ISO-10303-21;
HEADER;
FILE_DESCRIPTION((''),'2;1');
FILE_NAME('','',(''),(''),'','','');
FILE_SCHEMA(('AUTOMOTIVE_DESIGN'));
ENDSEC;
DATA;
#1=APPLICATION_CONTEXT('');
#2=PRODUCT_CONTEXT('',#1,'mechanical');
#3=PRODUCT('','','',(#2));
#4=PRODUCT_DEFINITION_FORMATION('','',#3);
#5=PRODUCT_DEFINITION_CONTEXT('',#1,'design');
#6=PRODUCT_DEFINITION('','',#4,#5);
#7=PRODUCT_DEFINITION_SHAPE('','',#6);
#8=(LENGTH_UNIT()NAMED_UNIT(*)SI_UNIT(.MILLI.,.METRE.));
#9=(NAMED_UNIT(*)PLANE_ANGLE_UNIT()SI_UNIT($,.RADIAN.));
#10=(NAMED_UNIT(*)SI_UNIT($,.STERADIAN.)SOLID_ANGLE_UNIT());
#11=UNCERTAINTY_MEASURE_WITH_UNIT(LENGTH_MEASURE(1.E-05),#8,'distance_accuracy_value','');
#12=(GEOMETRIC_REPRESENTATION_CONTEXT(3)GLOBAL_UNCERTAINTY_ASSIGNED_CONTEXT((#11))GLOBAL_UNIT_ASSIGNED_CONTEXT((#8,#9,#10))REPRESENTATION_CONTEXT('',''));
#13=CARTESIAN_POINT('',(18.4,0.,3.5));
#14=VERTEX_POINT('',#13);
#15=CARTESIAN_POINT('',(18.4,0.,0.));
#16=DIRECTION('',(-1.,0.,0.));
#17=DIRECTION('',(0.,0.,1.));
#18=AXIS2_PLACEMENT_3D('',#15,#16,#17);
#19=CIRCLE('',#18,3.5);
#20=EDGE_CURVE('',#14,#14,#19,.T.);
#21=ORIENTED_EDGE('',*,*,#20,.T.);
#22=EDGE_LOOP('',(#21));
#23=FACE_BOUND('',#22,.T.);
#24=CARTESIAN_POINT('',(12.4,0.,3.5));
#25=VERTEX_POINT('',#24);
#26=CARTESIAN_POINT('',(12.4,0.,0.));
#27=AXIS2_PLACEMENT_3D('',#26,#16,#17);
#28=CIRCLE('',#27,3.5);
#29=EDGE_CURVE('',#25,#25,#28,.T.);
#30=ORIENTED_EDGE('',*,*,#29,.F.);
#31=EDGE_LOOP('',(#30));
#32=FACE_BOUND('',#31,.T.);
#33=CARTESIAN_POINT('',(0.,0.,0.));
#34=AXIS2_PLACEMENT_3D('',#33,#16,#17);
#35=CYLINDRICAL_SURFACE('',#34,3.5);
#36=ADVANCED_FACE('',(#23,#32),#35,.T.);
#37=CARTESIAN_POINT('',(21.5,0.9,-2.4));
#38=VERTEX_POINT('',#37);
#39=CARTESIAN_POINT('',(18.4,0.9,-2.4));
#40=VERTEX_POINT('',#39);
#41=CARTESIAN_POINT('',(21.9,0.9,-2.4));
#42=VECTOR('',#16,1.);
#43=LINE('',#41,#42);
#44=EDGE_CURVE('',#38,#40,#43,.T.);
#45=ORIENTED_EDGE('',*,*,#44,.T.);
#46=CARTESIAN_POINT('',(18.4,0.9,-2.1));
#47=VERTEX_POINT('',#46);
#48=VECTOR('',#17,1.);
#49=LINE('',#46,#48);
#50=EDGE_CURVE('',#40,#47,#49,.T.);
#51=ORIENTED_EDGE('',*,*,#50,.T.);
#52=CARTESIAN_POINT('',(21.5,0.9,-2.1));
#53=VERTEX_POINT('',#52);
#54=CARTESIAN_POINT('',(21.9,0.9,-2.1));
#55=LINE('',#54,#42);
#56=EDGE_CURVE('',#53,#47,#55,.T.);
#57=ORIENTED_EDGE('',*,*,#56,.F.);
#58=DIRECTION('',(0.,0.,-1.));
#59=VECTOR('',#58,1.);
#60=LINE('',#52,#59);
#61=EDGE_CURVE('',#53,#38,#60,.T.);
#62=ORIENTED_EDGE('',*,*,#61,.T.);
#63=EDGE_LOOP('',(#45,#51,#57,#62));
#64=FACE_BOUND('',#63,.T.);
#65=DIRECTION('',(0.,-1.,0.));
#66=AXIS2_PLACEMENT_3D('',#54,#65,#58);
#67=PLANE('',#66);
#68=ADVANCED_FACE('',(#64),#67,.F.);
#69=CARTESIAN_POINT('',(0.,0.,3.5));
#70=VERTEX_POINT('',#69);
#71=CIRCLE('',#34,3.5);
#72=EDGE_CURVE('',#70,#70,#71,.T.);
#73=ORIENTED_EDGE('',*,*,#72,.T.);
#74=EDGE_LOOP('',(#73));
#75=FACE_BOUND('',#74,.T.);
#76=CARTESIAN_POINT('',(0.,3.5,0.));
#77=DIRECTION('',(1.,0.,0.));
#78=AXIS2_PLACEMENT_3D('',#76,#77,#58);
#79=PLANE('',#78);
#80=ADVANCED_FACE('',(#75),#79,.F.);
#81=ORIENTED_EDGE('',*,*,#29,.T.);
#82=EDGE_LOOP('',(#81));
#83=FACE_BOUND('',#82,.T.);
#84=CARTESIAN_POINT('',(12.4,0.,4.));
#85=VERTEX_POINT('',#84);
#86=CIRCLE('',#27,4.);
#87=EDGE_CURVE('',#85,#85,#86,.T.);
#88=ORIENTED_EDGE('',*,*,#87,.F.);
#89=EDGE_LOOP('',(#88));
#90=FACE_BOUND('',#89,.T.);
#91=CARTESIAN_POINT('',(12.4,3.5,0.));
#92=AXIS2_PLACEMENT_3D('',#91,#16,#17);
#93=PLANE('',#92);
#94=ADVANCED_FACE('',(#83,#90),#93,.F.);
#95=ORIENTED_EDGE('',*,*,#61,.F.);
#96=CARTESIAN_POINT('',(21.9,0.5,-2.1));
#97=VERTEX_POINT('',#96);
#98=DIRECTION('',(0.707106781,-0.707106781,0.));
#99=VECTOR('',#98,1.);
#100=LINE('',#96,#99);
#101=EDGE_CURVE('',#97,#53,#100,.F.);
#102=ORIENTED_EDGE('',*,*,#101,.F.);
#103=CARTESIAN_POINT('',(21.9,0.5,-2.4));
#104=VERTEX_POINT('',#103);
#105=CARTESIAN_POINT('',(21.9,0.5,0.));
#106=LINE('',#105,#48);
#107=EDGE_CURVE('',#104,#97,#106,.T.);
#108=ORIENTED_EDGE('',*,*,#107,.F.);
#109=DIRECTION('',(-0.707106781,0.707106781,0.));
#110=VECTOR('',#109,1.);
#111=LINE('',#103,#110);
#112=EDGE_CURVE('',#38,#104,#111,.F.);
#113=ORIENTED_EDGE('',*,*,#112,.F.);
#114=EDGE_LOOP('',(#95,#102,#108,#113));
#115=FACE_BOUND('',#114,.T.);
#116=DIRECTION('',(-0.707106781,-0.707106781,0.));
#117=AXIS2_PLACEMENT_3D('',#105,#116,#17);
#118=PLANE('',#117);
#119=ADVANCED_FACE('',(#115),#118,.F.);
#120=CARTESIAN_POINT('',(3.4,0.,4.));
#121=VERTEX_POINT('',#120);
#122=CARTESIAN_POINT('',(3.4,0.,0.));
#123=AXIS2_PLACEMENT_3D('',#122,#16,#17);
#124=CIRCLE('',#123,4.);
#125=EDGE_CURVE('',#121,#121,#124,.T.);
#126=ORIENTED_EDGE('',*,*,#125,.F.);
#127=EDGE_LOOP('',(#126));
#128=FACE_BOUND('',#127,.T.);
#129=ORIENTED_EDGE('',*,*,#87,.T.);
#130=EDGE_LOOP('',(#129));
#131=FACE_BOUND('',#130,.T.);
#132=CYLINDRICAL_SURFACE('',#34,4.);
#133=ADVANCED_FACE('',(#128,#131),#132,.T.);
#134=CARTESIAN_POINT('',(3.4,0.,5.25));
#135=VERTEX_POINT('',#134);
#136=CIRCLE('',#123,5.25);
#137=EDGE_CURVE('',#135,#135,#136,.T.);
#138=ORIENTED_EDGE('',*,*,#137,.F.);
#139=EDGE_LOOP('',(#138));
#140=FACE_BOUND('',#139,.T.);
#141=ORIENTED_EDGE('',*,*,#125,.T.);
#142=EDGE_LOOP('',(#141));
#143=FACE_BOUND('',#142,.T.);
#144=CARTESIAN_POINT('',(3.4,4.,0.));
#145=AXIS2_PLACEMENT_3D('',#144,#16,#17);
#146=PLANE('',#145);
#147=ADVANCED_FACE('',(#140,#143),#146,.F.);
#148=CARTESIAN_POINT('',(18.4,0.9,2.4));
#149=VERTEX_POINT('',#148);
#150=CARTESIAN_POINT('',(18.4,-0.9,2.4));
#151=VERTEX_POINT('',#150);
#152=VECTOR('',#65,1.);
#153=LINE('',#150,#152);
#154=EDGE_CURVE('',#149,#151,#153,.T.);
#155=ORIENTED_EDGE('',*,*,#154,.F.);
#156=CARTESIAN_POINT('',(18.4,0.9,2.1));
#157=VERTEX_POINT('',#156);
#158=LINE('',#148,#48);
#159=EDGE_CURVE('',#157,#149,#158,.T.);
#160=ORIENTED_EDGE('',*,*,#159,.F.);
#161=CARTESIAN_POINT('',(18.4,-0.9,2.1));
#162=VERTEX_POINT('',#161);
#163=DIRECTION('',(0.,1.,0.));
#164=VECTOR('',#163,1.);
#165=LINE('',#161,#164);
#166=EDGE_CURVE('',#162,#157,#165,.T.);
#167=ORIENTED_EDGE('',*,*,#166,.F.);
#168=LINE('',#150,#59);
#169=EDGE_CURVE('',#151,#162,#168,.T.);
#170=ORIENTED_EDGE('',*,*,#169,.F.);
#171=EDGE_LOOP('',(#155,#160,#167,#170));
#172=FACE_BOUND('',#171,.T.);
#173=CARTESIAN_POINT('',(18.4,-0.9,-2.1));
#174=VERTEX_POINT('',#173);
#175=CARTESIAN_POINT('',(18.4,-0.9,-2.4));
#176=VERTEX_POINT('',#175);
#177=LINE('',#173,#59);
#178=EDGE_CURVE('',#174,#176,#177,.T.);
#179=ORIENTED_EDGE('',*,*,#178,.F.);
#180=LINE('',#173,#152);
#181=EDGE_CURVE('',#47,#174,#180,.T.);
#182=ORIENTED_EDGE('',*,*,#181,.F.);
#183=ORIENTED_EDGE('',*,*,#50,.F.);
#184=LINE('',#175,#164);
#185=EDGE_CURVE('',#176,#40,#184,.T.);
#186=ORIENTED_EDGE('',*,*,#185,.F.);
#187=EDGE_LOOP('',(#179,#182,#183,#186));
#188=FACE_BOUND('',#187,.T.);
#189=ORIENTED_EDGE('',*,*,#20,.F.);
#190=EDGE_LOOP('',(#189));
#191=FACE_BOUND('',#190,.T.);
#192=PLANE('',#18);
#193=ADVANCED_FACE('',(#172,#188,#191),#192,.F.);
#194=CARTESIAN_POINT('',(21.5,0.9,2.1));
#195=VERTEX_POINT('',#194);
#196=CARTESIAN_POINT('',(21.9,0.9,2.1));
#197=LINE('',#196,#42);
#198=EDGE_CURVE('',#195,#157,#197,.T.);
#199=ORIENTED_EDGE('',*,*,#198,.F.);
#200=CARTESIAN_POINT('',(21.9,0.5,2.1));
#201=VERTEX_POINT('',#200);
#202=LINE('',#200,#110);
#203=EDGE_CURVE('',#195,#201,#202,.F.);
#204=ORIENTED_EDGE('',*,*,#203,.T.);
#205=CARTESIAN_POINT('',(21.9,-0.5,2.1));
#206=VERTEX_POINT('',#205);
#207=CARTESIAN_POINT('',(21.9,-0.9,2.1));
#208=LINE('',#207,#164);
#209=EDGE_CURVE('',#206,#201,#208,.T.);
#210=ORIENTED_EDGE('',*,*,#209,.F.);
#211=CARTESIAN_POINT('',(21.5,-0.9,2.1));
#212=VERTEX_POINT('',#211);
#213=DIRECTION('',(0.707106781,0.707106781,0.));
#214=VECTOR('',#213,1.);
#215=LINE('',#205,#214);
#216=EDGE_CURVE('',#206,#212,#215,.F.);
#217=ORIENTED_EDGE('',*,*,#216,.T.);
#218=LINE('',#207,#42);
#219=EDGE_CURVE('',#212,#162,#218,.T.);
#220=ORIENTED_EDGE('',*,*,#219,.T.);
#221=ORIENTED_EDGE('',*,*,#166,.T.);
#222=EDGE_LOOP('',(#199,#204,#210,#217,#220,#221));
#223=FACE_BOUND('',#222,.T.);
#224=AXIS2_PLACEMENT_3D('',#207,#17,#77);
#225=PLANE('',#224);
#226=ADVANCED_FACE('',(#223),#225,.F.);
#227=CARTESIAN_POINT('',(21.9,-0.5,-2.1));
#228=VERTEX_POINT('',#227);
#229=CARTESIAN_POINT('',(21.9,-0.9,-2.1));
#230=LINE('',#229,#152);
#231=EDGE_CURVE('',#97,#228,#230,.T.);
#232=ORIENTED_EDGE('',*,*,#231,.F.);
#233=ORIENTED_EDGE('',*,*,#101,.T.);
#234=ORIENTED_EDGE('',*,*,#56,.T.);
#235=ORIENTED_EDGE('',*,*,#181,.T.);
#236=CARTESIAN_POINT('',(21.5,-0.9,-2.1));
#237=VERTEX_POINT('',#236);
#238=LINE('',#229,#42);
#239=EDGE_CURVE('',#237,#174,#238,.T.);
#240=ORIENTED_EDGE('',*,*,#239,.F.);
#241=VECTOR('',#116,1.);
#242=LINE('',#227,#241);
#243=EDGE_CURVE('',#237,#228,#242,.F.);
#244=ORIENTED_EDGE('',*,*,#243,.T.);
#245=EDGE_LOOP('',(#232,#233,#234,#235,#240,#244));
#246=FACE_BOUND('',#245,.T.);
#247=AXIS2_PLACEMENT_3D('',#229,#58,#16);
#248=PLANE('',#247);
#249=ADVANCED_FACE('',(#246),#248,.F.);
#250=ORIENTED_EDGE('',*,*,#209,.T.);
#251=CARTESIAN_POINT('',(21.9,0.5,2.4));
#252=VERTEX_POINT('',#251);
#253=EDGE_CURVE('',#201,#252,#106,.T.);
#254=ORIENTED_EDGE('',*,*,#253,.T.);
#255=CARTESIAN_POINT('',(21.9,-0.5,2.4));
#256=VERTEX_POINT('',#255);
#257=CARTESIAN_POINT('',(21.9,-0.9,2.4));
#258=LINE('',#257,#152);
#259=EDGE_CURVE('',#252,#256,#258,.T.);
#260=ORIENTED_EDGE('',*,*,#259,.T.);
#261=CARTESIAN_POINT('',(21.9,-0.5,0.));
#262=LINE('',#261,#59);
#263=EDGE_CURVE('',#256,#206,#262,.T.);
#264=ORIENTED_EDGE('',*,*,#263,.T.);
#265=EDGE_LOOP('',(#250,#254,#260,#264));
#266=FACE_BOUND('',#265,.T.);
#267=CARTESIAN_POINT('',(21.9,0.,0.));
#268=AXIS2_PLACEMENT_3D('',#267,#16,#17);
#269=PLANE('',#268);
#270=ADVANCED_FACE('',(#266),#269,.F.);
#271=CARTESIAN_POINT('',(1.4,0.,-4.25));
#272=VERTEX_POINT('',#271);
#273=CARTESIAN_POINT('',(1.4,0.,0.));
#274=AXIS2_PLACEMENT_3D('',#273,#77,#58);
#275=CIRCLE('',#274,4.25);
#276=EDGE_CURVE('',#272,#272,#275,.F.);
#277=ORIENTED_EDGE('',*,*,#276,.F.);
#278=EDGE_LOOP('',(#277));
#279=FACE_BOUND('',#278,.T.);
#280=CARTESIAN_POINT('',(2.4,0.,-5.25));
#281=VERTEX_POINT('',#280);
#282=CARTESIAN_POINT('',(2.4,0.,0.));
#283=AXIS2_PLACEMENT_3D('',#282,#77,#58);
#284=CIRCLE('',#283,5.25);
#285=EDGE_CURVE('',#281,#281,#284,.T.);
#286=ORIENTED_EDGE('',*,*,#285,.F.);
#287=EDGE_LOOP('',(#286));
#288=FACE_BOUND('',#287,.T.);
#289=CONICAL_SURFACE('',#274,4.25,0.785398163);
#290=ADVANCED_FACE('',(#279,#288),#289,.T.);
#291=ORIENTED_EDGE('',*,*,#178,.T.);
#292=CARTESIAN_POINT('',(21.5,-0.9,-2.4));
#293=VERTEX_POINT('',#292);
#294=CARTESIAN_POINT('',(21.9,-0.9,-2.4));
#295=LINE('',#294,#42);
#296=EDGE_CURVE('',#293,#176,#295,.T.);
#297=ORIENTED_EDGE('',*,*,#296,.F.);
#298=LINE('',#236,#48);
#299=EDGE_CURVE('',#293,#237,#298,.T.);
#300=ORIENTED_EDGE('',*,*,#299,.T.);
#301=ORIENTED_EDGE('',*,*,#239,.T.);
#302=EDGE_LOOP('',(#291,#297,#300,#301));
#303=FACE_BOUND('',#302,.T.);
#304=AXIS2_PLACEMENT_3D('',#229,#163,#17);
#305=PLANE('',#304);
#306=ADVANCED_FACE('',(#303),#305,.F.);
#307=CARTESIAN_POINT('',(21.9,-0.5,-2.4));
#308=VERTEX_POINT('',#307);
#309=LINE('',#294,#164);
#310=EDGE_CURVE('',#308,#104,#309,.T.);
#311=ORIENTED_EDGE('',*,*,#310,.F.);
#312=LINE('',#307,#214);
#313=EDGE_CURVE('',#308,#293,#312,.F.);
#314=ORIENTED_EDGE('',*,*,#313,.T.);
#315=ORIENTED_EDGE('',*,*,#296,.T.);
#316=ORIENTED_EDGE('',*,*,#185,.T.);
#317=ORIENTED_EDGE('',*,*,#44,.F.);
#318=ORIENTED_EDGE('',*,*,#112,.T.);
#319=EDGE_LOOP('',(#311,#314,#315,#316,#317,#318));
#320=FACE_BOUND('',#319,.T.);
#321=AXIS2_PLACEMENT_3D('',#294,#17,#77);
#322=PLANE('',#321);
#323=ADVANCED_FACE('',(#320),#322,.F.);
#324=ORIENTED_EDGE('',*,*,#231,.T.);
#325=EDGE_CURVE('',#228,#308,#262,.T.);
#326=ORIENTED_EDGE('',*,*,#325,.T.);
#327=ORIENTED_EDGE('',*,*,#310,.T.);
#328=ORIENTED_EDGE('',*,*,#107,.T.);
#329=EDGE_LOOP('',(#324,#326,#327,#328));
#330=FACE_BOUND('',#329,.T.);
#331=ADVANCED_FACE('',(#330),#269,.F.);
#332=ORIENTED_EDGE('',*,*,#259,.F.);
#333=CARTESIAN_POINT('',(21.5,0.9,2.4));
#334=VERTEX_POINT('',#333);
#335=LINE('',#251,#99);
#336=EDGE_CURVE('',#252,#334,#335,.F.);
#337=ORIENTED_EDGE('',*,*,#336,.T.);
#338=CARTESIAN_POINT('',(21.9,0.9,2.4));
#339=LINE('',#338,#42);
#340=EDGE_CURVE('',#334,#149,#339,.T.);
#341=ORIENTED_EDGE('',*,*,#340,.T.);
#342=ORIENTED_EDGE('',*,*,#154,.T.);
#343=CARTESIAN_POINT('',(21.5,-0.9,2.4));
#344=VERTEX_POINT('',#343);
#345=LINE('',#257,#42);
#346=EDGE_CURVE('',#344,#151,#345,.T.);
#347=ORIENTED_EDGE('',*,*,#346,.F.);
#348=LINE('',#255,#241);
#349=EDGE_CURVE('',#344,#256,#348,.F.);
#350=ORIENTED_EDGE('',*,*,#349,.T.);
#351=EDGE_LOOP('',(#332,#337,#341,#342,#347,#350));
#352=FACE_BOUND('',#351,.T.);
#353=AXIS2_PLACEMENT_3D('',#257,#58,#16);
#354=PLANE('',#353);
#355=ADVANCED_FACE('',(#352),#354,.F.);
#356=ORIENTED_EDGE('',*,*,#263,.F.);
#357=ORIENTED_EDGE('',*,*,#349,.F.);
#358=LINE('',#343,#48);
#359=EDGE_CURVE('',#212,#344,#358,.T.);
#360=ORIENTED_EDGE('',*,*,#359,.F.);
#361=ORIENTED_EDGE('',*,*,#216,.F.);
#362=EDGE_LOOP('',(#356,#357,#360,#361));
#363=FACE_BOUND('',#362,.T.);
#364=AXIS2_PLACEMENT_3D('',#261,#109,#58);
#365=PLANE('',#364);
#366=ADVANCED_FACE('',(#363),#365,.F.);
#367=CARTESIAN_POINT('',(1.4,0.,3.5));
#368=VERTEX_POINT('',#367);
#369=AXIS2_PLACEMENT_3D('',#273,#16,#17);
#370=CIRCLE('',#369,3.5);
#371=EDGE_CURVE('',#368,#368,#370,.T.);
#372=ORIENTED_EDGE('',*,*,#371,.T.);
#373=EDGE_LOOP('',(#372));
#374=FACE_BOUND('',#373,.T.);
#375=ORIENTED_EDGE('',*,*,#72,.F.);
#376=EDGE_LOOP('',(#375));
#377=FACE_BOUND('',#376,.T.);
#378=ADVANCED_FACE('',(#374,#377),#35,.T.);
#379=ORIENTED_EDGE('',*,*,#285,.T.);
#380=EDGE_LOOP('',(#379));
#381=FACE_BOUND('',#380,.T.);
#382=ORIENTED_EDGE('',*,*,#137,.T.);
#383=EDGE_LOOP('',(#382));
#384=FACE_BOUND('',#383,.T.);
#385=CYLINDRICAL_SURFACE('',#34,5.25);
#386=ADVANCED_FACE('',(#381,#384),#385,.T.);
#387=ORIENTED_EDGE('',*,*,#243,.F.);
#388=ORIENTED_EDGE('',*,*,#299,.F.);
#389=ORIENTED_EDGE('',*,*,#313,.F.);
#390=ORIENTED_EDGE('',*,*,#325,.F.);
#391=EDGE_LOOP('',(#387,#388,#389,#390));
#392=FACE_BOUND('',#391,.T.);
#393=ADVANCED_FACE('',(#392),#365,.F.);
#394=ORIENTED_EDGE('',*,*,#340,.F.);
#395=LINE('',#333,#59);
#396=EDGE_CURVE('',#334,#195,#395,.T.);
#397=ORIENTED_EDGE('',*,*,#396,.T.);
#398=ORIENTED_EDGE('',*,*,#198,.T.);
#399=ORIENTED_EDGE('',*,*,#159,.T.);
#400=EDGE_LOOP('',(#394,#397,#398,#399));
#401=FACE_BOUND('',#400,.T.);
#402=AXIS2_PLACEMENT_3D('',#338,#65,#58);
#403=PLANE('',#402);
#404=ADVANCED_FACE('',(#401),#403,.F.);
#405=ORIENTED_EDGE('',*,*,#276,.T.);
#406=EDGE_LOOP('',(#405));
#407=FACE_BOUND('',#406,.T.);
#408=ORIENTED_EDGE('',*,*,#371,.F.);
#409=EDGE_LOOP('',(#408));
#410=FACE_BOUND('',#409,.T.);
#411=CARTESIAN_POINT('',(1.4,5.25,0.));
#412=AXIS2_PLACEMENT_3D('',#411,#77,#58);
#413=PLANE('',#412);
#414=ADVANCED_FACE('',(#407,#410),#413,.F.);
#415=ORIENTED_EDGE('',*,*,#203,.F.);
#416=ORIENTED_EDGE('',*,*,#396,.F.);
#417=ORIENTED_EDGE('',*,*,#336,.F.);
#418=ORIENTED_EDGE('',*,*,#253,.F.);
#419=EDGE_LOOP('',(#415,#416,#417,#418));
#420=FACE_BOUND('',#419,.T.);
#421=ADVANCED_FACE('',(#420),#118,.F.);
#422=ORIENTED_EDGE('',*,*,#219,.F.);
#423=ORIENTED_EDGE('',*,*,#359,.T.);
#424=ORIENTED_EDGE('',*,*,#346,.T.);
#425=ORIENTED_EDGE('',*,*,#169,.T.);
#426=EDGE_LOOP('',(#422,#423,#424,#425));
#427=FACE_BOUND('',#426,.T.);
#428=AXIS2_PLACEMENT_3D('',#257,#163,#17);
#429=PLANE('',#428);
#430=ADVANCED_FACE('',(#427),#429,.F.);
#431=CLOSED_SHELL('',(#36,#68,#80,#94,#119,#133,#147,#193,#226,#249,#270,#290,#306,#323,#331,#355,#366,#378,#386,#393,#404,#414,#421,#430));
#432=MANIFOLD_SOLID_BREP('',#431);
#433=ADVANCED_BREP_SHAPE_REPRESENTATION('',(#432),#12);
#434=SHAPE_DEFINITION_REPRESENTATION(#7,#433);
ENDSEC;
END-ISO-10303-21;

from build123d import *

# Parameters (mm, degrees)
CHAMFER1_SIZE       = 1
SKETCH2_W           = 0.3
SKETCH2_H           = 1.8
BOSS_EXTRUDE1_DEPTH = 3.5
CHAMFER2_SIZE       = 0.4


with BuildPart() as part:
    # Sketch1 → Revolve1 (revolve)
    with BuildSketch(Plane.XY):
        Polygon((18.4, 0), (18.4, 3.5), (12.4, 3.5), (12.4, 4), (3.4, 4), (3.4, 5.25), (1.4, 5.25), (1.4, 3.5), (0, 3.5), (0, 0), align=None)
    revolve(axis=Axis((0, 0, 0), (1, 0, 0)))

    # Chamfer1
    chamfer1_edges = [part.edges().sort_by_distance(p)[0] for p in [
        (1.4, -5.25, 0),
    ]]
    chamfer(chamfer1_edges, length=CHAMFER1_SIZE)

    # Sketch2 → Boss-Extrude1 (add)
    with BuildSketch(Plane(origin=(18.4, 0, 0), x_dir=(0, 0, -1), z_dir=(1, 0, 0))):
        with Locations((-2.25, 0)):
            Rectangle(SKETCH2_W, SKETCH2_H)
        with Locations((2.25, 0)):
            Rectangle(SKETCH2_W, SKETCH2_H)
    extrude(amount=BOSS_EXTRUDE1_DEPTH)

    # Chamfer2
    chamfer2_edges = [part.edges().sort_by_distance(p)[0] for p in [
        (21.9, 0.9, 2.25),
        (21.9, -0.9, 2.25),
        (21.9, 0.9, -2.25),
        (21.9, -0.9, -2.25),
    ]]
    chamfer(chamfer2_edges, length=CHAMFER2_SIZE)


solid = part.part
